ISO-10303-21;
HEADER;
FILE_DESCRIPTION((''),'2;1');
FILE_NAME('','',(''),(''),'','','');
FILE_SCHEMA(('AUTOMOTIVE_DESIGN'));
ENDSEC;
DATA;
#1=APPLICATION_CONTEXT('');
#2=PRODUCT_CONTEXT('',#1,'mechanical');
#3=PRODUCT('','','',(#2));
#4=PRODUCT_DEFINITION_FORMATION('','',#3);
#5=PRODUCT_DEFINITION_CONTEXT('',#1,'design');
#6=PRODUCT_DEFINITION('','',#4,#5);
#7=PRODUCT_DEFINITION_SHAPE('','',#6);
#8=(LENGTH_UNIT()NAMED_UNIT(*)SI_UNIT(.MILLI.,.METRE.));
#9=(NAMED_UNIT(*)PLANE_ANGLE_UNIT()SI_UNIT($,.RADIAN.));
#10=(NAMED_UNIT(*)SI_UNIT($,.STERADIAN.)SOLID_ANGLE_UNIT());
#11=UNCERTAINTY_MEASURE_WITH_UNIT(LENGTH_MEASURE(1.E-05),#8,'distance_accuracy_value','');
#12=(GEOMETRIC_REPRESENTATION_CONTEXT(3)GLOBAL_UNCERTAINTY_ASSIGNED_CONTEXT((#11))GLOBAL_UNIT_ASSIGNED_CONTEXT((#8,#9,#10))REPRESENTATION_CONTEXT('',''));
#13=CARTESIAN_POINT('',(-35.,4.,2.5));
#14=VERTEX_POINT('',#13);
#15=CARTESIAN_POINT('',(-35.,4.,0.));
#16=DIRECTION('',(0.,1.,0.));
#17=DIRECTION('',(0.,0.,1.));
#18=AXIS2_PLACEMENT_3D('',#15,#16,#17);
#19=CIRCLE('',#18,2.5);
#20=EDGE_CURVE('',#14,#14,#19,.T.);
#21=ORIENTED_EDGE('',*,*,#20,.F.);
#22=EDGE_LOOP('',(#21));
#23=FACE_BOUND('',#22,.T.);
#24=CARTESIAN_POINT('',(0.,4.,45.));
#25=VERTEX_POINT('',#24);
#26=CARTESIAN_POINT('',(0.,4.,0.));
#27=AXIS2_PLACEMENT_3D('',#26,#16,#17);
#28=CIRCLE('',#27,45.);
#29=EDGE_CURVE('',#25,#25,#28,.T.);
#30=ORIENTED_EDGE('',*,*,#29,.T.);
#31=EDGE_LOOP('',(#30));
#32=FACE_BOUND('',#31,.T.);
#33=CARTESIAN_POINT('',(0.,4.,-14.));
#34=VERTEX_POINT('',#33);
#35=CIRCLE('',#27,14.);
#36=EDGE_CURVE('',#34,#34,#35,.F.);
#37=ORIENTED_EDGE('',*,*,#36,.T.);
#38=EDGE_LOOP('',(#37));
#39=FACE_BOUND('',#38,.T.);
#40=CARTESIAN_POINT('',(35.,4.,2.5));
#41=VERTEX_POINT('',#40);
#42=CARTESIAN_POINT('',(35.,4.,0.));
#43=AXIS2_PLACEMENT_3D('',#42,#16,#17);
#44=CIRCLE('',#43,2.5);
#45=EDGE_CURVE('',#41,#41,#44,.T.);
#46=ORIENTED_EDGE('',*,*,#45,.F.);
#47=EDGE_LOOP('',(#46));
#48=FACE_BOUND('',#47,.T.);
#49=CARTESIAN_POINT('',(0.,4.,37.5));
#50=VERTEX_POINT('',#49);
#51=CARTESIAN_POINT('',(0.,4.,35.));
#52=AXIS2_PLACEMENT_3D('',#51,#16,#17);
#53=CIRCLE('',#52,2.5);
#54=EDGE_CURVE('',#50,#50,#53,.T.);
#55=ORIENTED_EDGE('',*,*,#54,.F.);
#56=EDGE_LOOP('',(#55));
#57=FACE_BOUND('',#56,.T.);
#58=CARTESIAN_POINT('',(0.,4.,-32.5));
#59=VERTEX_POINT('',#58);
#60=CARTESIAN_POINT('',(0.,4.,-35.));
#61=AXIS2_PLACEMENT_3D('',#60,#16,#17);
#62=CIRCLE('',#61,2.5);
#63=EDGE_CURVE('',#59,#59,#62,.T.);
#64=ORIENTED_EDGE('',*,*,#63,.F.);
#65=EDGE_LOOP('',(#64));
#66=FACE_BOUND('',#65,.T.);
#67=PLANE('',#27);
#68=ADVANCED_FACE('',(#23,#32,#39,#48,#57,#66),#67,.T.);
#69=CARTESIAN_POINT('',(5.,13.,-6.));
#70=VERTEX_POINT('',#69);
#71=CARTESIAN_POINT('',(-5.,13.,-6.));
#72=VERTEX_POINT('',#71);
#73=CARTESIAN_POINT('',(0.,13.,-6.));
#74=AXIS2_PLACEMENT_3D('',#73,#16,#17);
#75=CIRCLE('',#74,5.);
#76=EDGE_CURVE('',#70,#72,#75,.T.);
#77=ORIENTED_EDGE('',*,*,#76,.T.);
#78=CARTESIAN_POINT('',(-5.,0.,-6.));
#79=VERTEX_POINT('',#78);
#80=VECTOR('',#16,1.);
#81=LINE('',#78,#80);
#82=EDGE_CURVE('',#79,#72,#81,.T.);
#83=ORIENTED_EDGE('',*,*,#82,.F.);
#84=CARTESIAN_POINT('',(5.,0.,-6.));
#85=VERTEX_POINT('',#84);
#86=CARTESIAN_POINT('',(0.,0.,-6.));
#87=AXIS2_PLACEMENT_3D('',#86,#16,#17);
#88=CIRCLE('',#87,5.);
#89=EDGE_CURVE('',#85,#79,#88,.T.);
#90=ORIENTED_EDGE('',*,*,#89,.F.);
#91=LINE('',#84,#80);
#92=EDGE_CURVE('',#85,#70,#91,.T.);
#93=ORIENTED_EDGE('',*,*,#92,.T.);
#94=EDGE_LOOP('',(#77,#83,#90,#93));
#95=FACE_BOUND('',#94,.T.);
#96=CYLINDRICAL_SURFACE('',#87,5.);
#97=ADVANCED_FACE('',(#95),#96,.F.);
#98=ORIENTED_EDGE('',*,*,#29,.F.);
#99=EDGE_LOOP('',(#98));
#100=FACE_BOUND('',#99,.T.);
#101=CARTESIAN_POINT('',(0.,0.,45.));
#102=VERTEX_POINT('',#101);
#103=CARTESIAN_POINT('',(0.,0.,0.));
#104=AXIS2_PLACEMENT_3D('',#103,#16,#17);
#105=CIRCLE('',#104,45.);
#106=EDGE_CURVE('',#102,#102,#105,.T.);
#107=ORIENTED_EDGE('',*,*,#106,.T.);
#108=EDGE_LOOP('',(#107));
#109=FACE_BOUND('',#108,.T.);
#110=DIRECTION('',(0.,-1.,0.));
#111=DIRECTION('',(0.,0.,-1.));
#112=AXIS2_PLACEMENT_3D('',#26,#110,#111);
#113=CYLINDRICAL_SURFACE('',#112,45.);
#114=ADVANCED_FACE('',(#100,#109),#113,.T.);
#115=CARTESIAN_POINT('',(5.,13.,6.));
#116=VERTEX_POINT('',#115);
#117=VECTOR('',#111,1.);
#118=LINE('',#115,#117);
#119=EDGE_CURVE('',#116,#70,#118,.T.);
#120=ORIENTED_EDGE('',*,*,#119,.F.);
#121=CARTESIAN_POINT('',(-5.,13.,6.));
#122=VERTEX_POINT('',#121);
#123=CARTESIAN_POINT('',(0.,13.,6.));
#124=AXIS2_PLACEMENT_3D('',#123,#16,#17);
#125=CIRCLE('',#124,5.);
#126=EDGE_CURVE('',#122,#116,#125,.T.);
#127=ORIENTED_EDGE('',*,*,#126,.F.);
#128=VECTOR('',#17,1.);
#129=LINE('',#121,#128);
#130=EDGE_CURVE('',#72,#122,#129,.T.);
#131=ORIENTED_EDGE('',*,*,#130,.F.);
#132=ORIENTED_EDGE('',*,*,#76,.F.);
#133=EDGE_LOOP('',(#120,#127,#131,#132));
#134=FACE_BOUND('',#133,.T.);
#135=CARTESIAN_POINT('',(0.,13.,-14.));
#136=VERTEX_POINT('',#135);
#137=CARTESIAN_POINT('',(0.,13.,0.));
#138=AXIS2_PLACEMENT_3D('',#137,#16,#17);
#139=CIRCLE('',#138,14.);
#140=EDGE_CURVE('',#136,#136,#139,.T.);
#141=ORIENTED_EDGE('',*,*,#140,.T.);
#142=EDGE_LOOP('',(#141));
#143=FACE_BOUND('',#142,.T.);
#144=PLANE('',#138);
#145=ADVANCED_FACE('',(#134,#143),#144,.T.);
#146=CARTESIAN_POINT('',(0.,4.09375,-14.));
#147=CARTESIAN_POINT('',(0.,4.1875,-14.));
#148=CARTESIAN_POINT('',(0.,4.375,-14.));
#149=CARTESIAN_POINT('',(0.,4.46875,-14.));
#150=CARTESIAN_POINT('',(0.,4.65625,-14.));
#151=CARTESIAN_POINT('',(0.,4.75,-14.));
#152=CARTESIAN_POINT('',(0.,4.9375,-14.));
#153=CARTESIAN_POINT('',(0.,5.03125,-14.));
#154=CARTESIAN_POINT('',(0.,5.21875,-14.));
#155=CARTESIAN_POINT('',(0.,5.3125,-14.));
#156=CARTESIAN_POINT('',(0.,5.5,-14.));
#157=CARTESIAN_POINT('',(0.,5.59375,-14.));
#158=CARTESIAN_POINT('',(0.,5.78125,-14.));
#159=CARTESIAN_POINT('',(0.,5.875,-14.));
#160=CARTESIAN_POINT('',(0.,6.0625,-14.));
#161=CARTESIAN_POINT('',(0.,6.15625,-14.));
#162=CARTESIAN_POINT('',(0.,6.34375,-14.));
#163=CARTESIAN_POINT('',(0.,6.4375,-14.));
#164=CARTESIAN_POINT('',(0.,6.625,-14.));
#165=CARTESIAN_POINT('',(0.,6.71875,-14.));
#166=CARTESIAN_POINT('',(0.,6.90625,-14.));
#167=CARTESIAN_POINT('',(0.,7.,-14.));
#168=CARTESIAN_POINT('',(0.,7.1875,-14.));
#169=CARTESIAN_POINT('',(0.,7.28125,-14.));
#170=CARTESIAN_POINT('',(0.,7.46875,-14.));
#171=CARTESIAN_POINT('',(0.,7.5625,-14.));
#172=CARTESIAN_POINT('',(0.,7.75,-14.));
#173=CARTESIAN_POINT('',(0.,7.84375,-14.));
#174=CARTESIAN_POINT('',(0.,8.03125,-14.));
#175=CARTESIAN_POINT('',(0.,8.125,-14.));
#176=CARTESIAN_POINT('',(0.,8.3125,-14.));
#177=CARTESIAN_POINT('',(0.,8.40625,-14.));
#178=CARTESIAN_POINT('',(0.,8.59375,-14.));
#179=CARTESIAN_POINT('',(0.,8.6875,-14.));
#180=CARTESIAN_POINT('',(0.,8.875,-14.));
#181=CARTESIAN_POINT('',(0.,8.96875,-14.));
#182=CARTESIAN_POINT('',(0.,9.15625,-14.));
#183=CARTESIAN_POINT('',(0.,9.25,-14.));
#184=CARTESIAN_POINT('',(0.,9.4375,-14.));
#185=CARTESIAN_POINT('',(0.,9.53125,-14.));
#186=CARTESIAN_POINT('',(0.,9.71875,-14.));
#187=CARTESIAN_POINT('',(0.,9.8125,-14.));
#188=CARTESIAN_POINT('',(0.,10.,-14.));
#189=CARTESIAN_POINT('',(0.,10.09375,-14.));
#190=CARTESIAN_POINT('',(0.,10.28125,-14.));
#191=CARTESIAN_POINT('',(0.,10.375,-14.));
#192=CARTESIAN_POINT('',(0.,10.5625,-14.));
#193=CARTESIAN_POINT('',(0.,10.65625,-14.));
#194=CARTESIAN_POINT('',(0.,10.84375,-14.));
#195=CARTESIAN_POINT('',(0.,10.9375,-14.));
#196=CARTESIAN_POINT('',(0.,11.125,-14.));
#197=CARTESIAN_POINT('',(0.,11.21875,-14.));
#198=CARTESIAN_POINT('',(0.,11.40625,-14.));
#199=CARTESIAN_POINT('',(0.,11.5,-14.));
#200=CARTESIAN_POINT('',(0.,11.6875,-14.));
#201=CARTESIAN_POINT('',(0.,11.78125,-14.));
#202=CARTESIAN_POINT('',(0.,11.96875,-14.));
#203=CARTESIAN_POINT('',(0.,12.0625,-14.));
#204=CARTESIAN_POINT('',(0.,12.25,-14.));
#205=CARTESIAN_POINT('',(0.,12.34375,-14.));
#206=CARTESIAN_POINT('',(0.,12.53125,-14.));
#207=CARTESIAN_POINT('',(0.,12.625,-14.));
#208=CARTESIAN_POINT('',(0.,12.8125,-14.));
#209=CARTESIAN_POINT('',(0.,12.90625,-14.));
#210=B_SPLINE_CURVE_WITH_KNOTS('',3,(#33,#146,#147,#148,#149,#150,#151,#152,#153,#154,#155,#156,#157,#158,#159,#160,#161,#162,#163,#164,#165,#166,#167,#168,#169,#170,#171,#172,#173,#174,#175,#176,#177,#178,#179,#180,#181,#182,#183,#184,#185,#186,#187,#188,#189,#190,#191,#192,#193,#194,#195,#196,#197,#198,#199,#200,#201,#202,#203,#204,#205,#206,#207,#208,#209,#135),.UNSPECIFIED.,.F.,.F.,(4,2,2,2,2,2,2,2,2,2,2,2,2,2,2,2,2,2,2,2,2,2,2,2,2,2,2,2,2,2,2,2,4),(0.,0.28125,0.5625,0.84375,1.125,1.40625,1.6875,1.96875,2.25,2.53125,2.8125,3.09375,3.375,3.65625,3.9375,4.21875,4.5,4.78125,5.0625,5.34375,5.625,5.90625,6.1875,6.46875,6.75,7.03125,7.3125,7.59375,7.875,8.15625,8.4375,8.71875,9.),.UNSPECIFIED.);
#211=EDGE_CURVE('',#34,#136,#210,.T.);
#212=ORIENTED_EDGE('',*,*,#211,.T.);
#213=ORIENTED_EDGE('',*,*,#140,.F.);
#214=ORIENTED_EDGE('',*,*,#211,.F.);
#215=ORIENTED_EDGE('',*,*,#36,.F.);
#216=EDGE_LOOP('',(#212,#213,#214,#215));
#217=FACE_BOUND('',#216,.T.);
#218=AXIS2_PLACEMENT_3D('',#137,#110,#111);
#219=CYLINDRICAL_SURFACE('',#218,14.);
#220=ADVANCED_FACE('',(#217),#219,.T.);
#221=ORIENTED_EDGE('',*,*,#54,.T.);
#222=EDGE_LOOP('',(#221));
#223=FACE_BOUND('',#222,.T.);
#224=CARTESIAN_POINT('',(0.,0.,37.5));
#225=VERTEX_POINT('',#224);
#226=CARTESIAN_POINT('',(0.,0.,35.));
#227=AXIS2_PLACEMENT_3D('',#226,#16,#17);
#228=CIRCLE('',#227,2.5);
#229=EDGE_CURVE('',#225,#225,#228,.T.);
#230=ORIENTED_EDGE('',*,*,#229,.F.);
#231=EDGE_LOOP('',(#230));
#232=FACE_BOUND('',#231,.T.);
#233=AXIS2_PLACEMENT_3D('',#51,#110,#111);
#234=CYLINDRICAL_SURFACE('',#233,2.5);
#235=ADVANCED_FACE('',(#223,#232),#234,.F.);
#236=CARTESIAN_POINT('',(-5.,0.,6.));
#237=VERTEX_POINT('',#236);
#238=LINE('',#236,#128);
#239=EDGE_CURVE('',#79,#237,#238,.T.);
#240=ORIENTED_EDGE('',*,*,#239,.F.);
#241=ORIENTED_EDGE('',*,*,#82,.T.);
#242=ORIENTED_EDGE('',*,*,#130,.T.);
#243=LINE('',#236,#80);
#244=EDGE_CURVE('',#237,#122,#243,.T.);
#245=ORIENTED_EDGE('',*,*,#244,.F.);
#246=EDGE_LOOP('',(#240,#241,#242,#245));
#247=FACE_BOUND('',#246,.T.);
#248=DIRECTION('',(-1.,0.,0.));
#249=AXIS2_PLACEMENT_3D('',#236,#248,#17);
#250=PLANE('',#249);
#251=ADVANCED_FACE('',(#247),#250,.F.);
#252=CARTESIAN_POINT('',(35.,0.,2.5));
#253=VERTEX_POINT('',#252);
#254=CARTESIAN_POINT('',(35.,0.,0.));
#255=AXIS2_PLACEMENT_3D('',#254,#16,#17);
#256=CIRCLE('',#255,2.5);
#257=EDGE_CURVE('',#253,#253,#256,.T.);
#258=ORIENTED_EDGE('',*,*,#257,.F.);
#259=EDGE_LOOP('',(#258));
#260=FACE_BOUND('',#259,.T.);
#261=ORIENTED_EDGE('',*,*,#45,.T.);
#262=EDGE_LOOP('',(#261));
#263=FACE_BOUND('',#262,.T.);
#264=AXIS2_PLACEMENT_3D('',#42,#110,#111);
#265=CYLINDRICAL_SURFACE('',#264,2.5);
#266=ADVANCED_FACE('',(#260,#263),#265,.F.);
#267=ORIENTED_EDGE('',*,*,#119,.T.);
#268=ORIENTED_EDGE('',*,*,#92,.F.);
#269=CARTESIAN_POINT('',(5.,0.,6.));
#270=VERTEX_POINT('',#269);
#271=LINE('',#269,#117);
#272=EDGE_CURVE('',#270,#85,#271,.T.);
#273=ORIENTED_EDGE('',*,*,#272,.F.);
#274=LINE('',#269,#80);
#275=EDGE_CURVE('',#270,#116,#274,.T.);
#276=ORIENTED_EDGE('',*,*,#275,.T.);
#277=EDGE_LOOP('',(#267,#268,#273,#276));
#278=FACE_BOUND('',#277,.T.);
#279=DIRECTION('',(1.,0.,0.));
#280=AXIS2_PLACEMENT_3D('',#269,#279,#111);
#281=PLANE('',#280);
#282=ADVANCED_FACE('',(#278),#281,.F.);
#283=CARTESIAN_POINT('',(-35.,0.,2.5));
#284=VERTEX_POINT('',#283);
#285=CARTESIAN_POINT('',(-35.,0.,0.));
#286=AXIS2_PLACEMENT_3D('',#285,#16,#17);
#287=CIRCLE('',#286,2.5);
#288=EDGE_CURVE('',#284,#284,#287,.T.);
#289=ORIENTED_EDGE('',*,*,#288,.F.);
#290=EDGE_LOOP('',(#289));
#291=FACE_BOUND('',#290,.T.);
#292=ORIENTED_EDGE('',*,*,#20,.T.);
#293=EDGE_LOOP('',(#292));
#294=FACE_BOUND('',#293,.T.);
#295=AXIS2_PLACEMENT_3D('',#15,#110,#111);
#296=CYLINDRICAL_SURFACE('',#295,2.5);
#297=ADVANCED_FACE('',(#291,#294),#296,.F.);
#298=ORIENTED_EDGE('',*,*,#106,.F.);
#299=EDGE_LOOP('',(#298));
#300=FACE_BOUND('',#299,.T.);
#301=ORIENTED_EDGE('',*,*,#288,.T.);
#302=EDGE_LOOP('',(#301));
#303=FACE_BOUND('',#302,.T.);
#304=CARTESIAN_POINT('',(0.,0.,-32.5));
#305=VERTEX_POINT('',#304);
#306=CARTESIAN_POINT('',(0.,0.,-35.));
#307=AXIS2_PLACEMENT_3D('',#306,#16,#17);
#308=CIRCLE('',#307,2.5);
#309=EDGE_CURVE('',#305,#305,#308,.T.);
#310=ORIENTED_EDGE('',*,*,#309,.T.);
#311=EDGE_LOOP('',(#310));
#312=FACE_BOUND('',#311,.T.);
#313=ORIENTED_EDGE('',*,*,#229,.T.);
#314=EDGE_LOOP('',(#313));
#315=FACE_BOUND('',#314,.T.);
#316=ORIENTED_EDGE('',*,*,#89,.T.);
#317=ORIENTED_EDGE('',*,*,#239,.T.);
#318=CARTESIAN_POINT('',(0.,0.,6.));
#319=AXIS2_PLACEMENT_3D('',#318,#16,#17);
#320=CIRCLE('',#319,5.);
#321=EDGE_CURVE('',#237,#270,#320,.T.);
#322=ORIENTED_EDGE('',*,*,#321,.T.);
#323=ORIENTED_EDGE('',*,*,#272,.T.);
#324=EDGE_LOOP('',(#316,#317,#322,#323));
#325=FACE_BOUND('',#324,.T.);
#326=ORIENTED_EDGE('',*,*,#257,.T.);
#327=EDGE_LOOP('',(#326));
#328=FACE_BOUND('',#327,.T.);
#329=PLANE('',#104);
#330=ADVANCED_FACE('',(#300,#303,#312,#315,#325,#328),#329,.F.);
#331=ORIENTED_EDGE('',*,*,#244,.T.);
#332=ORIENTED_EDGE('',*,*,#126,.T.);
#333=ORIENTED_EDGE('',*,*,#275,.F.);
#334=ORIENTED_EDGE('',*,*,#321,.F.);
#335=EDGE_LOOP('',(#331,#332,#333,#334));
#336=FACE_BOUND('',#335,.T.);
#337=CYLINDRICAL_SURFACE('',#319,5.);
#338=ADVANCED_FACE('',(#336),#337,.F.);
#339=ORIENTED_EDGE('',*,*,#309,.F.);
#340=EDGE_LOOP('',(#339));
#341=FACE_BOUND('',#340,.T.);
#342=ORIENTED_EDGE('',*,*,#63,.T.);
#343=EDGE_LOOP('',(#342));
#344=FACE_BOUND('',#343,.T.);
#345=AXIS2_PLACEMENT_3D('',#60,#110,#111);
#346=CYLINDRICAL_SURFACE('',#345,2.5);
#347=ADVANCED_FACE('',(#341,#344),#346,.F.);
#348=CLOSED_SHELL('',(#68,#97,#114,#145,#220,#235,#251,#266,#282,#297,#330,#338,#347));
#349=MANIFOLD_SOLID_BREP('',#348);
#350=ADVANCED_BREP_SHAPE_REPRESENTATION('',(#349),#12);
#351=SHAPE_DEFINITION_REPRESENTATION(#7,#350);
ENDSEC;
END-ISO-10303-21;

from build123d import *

# Parameters (mm, degrees)
SKETCH1_R           = 45
SKETCH1_R_2         = 2.5
BOSS_EXTRUDE1_DEPTH = 4
SKETCH1_3_R         = 14
BOSS_EXTRUDE2_DEPTH = 13
CUT_EXTRUDE1_DEPTH  = 65.953829756


with BuildPart() as part:
    # Sketch1 → Boss-Extrude1 (new body)
    with BuildSketch(Plane(origin=(0, 0, 0), x_dir=(1, 0, 0), z_dir=(0, 1, 0))):
        Circle(SKETCH1_R)
        with Locations((-35, 0)):
            Circle(SKETCH1_R_2, mode=Mode.SUBTRACT)
        with Locations((0, -35)):
            Circle(SKETCH1_R_2, mode=Mode.SUBTRACT)
        with Locations((35, 0)):
            Circle(SKETCH1_R_2, mode=Mode.SUBTRACT)
        with Locations((0, 35)):
            Circle(SKETCH1_R_2, mode=Mode.SUBTRACT)
    extrude(amount=BOSS_EXTRUDE1_DEPTH)

    # Sketch1<3> → Boss-Extrude2 (add)
    with BuildSketch(Plane(origin=(0, 0, 0), x_dir=(1, 0, 0), z_dir=(0, 1, 0))):
        Circle(SKETCH1_3_R)
    extrude(amount=BOSS_EXTRUDE2_DEPTH)

    # Sketch3 → Cut-Extrude1 (cut, through all)
    with BuildSketch(Plane(origin=(0, 13, 0), x_dir=(1, 0, 0), z_dir=(0, 1, 0))):
        with BuildLine():
            Line((-5, -6), (-5, 6))
            ThreePointArc((-5, 6), (0, 11), (5, 6))
            Line((5, 6), (5, -6))
            ThreePointArc((5, -6), (0, -11), (-5, -6))
        make_face()
    extrude(amount=-CUT_EXTRUDE1_DEPTH, mode=Mode.SUBTRACT)


solid = part.part
